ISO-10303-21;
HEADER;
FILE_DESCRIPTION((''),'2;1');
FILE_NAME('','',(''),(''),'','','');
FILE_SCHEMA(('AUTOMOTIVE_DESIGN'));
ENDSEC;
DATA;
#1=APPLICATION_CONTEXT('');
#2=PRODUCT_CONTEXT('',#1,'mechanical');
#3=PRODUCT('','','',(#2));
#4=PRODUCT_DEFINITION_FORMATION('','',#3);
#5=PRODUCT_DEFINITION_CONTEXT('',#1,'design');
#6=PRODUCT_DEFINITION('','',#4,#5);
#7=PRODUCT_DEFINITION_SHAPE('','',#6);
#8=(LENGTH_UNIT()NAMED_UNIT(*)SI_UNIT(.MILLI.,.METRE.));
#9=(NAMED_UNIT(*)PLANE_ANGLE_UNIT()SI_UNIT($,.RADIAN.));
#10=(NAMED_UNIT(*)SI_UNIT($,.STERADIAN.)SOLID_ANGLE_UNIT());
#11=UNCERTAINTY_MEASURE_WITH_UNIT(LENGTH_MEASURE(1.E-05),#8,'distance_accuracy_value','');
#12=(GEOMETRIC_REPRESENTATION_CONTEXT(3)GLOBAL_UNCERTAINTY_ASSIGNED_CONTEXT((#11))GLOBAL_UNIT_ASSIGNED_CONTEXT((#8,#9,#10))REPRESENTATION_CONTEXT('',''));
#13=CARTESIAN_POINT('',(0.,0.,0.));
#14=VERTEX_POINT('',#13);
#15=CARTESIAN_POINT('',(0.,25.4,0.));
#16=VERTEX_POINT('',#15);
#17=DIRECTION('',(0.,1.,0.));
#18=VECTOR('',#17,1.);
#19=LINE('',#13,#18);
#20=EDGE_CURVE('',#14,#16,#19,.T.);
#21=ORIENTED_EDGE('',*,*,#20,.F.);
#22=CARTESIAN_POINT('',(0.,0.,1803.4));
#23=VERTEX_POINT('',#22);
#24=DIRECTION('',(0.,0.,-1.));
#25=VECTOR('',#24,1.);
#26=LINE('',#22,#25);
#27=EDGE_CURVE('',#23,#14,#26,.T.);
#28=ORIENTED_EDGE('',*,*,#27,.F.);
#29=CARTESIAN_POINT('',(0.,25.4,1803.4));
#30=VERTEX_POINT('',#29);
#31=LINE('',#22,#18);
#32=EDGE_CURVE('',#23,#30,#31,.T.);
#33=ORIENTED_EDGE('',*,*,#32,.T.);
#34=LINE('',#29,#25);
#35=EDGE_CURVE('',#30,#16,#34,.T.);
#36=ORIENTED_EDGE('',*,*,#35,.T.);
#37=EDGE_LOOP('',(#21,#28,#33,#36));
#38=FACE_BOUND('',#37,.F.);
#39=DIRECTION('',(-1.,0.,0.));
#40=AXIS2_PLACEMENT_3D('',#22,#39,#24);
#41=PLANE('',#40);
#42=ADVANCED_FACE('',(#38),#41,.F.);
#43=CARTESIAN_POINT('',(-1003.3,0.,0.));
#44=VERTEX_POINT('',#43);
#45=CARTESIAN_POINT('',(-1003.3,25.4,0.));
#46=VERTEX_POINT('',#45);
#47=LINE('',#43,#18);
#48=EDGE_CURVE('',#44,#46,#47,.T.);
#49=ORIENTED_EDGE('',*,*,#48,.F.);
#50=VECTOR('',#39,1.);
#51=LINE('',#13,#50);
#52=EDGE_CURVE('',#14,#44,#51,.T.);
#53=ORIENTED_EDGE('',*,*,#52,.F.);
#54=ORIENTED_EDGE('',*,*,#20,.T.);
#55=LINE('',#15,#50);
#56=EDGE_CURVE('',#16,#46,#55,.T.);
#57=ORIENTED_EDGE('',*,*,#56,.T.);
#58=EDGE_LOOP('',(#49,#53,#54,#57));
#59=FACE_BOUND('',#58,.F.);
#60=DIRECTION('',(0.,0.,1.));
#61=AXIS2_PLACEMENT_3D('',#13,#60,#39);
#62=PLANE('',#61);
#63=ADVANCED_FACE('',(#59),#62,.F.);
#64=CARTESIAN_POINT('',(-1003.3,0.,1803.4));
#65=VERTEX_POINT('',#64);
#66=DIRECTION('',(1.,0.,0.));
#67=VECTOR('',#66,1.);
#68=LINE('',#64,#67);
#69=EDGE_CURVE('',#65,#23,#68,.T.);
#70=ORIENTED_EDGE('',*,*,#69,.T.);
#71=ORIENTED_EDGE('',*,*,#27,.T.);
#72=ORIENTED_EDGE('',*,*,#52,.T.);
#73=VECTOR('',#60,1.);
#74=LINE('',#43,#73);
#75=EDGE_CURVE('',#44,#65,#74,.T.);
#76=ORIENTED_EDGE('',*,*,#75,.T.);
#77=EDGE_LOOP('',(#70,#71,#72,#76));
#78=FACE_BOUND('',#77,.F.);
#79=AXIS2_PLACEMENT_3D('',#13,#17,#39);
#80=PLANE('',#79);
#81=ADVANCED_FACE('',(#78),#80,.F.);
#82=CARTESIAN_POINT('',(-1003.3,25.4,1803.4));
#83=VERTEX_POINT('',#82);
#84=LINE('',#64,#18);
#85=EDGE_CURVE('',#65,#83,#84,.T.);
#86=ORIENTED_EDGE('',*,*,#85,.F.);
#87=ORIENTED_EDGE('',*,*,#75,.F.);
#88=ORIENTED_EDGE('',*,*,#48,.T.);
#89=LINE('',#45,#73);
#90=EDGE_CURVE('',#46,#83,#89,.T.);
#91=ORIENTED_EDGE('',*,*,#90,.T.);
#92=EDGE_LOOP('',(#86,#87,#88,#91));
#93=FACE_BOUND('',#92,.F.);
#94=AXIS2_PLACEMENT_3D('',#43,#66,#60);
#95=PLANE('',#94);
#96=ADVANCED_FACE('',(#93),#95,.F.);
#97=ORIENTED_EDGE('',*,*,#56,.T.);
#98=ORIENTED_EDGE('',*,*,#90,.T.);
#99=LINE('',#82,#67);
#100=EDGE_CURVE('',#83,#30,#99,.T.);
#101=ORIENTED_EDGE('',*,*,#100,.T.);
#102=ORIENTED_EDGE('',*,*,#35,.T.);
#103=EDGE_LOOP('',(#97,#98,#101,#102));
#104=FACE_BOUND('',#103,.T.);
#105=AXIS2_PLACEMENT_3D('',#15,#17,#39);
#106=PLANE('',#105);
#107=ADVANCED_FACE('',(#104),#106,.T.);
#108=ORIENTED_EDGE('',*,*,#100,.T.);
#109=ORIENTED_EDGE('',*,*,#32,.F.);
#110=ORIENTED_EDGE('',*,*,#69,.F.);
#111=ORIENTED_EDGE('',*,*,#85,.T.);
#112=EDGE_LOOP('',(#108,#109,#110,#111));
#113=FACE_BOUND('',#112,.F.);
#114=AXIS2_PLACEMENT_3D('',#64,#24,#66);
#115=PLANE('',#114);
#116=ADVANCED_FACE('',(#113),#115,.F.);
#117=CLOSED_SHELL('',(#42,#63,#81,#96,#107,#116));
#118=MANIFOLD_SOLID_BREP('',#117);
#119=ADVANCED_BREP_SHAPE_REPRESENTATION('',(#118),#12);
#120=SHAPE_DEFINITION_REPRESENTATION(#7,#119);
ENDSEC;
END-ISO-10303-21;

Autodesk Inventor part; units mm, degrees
ref_plane "YZ Plane" through (0, 0, 0) normal (1, 0, 0) x (0, 1, 0)
ref_plane "XZ Plane" through (0, 0, 0) normal (0, 1, 0) x (-1, 0, 0)
ref_plane "XY Plane" through (0, 0, 0) normal (0, 0, 1) x (1, 0, 0)
sketch "Sketch1" plane through (0, 0, 0) normal (0, 1, 0) x (-1, 0, 0)
  line L0 (0, 0) -> (1003.3, 0)
  line L1 (1003.3, 0) -> (1003.3, 1803.4)
  line L2 (1003.3, 1803.4) -> (0, 1803.4)
  line L3 (0, 1803.4) -> (0, 0)
  dimension "d0" = 1003.3
  dimension "d1" = 1803.4
extrude "Extrusion1" add sketch "Sketch1" along normal blind 25.4
properties part number "FLOOR"
